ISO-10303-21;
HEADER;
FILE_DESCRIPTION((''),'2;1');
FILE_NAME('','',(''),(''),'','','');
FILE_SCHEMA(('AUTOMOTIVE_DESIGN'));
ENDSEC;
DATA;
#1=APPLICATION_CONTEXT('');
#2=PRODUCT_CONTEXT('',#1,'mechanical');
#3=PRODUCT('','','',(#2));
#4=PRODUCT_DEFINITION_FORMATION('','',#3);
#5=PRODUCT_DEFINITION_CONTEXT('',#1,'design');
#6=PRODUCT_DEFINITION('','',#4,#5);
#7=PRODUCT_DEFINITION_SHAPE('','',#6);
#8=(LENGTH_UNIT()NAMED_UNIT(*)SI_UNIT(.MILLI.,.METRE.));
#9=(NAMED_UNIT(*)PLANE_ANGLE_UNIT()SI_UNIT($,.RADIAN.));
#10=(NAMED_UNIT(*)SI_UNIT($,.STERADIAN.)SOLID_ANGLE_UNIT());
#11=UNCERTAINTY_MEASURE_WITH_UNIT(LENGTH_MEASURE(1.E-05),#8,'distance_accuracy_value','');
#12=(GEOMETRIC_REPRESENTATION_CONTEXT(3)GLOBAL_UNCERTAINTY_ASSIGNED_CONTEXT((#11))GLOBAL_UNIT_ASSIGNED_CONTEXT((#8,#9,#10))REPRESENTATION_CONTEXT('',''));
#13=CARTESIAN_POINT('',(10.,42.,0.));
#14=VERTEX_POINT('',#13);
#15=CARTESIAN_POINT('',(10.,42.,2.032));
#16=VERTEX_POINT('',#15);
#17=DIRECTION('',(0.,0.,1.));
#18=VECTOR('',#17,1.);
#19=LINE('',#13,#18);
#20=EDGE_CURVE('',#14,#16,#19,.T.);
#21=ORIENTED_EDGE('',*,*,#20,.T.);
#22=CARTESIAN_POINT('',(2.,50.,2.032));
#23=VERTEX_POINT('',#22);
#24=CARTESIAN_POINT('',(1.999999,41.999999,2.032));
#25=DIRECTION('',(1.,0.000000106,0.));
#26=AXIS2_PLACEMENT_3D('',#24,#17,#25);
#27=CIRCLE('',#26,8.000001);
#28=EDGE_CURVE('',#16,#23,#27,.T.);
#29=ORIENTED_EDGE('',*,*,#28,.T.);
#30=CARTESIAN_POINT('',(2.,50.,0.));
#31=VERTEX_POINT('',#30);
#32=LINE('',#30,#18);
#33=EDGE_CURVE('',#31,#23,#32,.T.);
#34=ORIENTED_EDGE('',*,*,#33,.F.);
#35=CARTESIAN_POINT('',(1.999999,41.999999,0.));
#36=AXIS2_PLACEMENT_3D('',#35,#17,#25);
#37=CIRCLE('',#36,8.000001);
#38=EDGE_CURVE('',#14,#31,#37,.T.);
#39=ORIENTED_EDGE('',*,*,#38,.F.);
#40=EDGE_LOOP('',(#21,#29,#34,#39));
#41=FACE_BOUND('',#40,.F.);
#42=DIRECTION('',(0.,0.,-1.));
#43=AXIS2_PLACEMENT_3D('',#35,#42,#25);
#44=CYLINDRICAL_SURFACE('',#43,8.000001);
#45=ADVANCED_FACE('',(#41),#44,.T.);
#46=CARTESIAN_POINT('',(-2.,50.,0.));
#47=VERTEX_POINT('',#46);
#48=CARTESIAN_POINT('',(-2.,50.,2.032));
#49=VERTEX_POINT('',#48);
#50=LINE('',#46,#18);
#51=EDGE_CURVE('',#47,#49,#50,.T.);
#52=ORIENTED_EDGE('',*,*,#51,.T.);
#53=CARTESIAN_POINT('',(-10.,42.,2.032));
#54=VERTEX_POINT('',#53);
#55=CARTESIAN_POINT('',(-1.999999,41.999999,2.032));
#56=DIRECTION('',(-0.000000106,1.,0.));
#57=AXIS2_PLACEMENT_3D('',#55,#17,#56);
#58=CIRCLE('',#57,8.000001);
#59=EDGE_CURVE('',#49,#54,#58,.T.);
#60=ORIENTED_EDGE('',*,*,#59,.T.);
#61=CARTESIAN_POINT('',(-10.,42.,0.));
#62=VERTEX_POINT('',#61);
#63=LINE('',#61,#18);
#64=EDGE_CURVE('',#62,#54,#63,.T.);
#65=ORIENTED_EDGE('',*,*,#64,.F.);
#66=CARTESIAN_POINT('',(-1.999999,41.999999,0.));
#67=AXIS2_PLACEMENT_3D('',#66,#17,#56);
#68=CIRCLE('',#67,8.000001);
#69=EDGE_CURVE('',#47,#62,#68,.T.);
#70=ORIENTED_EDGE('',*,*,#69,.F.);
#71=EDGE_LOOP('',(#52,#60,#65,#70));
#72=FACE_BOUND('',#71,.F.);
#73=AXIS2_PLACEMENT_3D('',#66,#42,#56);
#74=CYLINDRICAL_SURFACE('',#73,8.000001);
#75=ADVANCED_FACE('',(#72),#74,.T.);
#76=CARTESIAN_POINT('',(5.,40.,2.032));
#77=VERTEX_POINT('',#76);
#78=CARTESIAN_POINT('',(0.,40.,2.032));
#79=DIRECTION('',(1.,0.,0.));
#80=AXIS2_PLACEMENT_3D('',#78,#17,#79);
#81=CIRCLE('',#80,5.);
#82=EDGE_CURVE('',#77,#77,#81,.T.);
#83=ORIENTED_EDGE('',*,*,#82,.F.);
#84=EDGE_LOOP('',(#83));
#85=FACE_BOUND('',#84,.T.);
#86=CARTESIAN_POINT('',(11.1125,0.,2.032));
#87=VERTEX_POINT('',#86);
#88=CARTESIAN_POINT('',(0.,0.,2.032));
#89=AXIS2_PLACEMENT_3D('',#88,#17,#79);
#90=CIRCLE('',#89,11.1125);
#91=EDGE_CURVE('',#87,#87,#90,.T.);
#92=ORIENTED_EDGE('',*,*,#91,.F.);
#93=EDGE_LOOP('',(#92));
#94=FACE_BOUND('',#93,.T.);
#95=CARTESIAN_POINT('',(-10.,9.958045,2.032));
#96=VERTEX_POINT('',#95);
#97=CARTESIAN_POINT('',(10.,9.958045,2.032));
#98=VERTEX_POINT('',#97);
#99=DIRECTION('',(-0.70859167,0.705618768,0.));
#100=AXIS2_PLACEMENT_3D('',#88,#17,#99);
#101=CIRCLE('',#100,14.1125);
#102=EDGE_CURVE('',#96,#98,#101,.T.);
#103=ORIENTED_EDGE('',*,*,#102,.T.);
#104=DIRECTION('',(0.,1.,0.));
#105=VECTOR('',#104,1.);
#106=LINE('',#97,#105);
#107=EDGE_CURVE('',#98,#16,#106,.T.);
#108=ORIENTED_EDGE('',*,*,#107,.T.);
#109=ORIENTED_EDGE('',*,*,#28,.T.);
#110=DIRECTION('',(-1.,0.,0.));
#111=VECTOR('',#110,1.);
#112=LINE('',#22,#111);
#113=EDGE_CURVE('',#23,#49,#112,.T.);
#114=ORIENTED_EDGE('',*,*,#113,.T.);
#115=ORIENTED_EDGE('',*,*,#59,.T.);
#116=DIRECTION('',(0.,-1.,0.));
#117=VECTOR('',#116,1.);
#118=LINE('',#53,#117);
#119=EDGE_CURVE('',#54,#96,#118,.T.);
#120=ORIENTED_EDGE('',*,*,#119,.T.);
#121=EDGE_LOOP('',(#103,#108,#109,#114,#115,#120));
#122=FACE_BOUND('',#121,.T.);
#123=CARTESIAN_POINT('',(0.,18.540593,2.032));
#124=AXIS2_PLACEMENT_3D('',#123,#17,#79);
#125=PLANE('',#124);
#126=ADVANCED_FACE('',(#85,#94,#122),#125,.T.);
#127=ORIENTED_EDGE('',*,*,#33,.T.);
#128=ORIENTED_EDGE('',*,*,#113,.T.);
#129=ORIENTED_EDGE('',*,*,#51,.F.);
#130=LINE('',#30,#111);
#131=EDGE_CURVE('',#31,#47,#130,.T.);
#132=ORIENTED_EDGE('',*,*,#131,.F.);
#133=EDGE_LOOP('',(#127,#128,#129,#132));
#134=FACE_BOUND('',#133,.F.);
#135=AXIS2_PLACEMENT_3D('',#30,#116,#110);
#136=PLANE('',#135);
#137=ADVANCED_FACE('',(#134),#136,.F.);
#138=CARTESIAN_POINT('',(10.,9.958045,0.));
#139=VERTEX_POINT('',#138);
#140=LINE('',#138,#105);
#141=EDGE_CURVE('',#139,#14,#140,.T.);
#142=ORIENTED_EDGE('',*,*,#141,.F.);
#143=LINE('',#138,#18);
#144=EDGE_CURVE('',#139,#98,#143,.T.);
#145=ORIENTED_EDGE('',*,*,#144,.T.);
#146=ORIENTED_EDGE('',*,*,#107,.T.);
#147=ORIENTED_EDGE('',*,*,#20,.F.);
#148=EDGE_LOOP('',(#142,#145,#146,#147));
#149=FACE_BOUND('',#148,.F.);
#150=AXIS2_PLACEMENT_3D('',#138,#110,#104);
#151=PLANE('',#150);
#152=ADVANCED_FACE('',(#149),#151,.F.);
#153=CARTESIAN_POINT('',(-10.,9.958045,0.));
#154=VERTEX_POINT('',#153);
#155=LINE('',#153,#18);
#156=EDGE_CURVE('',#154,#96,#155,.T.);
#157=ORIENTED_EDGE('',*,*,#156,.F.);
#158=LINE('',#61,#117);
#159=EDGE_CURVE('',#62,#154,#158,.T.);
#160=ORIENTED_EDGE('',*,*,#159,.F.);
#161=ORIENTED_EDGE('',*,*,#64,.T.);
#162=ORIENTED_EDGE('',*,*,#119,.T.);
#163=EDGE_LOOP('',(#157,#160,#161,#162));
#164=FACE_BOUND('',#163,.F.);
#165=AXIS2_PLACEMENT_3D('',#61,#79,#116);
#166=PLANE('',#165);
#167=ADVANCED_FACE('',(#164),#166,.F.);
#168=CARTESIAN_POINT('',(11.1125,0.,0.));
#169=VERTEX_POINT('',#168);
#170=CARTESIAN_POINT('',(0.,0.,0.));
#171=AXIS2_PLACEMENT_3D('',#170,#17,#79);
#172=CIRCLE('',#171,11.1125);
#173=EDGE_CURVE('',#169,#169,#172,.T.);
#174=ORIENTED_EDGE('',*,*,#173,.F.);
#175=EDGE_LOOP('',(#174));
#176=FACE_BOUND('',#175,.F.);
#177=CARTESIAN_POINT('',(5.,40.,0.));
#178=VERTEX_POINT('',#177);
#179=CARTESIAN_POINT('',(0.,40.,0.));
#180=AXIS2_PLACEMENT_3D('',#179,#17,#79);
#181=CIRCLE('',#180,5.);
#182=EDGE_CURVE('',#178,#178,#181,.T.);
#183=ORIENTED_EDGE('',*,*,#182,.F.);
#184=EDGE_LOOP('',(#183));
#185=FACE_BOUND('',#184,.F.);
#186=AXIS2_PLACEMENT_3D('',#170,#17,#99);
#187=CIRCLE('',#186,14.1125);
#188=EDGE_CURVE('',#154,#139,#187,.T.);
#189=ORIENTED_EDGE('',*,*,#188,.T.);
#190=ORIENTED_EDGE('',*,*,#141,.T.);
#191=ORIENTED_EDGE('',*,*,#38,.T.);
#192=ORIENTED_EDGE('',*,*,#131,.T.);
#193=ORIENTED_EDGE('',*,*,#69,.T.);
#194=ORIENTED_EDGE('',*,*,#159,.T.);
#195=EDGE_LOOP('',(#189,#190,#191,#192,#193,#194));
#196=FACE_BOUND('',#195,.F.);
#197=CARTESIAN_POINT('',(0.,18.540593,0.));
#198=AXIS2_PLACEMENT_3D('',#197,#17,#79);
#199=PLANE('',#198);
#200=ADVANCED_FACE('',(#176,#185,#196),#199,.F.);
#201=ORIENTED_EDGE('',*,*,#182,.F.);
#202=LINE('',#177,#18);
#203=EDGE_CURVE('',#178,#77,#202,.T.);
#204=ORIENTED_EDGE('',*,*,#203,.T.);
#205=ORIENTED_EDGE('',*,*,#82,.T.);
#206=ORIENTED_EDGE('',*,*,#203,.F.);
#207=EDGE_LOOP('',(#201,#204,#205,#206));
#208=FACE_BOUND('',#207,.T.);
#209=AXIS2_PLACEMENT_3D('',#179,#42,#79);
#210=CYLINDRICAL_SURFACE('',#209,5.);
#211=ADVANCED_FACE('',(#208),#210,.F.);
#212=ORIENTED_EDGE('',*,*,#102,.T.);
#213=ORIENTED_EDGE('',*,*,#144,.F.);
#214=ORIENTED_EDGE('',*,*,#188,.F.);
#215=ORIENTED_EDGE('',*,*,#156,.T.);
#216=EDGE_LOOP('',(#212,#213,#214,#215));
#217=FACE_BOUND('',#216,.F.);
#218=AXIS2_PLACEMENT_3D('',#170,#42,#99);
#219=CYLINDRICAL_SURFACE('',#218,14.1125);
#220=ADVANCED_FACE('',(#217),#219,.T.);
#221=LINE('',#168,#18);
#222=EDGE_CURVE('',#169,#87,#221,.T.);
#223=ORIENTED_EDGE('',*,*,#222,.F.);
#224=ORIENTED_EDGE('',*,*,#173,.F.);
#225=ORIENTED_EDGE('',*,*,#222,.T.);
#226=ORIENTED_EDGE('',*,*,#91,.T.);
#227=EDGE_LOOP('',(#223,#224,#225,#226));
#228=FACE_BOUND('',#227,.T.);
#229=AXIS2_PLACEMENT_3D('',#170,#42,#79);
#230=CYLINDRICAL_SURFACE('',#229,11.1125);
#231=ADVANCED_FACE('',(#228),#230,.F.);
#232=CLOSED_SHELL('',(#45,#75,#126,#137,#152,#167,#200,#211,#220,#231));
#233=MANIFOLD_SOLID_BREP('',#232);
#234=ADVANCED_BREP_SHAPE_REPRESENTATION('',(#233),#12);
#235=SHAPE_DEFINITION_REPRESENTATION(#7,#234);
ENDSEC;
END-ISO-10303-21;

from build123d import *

# Parameters (mm, degrees)
F0_R     = 11.1125
F0_R_2   = 5
F1_DEPTH = 2.032


with BuildPart() as f1:
    # F0 (on Top) → F1 (new body)
    with BuildSketch(Plane.XY):
        with BuildLine():
            Line((2, 50), (-2, 50))
            ThreePointArc((-2, 50), (-7.656854, 47.656854), (-10, 42))
            Line((-10, 42), (-10, 9.958045))
            ThreePointArc((-10, 9.958045), (0, -14.1125), (10, 9.958045))
            Line((10, 9.958045), (10, 42))
            ThreePointArc((10, 42), (7.656854, 47.656854), (2, 50))
        make_face()
        Circle(F0_R, mode=Mode.SUBTRACT)
        with Locations((0, 40)):
            Circle(F0_R_2, mode=Mode.SUBTRACT)
    extrude(amount=F1_DEPTH)


solid = f1.part
